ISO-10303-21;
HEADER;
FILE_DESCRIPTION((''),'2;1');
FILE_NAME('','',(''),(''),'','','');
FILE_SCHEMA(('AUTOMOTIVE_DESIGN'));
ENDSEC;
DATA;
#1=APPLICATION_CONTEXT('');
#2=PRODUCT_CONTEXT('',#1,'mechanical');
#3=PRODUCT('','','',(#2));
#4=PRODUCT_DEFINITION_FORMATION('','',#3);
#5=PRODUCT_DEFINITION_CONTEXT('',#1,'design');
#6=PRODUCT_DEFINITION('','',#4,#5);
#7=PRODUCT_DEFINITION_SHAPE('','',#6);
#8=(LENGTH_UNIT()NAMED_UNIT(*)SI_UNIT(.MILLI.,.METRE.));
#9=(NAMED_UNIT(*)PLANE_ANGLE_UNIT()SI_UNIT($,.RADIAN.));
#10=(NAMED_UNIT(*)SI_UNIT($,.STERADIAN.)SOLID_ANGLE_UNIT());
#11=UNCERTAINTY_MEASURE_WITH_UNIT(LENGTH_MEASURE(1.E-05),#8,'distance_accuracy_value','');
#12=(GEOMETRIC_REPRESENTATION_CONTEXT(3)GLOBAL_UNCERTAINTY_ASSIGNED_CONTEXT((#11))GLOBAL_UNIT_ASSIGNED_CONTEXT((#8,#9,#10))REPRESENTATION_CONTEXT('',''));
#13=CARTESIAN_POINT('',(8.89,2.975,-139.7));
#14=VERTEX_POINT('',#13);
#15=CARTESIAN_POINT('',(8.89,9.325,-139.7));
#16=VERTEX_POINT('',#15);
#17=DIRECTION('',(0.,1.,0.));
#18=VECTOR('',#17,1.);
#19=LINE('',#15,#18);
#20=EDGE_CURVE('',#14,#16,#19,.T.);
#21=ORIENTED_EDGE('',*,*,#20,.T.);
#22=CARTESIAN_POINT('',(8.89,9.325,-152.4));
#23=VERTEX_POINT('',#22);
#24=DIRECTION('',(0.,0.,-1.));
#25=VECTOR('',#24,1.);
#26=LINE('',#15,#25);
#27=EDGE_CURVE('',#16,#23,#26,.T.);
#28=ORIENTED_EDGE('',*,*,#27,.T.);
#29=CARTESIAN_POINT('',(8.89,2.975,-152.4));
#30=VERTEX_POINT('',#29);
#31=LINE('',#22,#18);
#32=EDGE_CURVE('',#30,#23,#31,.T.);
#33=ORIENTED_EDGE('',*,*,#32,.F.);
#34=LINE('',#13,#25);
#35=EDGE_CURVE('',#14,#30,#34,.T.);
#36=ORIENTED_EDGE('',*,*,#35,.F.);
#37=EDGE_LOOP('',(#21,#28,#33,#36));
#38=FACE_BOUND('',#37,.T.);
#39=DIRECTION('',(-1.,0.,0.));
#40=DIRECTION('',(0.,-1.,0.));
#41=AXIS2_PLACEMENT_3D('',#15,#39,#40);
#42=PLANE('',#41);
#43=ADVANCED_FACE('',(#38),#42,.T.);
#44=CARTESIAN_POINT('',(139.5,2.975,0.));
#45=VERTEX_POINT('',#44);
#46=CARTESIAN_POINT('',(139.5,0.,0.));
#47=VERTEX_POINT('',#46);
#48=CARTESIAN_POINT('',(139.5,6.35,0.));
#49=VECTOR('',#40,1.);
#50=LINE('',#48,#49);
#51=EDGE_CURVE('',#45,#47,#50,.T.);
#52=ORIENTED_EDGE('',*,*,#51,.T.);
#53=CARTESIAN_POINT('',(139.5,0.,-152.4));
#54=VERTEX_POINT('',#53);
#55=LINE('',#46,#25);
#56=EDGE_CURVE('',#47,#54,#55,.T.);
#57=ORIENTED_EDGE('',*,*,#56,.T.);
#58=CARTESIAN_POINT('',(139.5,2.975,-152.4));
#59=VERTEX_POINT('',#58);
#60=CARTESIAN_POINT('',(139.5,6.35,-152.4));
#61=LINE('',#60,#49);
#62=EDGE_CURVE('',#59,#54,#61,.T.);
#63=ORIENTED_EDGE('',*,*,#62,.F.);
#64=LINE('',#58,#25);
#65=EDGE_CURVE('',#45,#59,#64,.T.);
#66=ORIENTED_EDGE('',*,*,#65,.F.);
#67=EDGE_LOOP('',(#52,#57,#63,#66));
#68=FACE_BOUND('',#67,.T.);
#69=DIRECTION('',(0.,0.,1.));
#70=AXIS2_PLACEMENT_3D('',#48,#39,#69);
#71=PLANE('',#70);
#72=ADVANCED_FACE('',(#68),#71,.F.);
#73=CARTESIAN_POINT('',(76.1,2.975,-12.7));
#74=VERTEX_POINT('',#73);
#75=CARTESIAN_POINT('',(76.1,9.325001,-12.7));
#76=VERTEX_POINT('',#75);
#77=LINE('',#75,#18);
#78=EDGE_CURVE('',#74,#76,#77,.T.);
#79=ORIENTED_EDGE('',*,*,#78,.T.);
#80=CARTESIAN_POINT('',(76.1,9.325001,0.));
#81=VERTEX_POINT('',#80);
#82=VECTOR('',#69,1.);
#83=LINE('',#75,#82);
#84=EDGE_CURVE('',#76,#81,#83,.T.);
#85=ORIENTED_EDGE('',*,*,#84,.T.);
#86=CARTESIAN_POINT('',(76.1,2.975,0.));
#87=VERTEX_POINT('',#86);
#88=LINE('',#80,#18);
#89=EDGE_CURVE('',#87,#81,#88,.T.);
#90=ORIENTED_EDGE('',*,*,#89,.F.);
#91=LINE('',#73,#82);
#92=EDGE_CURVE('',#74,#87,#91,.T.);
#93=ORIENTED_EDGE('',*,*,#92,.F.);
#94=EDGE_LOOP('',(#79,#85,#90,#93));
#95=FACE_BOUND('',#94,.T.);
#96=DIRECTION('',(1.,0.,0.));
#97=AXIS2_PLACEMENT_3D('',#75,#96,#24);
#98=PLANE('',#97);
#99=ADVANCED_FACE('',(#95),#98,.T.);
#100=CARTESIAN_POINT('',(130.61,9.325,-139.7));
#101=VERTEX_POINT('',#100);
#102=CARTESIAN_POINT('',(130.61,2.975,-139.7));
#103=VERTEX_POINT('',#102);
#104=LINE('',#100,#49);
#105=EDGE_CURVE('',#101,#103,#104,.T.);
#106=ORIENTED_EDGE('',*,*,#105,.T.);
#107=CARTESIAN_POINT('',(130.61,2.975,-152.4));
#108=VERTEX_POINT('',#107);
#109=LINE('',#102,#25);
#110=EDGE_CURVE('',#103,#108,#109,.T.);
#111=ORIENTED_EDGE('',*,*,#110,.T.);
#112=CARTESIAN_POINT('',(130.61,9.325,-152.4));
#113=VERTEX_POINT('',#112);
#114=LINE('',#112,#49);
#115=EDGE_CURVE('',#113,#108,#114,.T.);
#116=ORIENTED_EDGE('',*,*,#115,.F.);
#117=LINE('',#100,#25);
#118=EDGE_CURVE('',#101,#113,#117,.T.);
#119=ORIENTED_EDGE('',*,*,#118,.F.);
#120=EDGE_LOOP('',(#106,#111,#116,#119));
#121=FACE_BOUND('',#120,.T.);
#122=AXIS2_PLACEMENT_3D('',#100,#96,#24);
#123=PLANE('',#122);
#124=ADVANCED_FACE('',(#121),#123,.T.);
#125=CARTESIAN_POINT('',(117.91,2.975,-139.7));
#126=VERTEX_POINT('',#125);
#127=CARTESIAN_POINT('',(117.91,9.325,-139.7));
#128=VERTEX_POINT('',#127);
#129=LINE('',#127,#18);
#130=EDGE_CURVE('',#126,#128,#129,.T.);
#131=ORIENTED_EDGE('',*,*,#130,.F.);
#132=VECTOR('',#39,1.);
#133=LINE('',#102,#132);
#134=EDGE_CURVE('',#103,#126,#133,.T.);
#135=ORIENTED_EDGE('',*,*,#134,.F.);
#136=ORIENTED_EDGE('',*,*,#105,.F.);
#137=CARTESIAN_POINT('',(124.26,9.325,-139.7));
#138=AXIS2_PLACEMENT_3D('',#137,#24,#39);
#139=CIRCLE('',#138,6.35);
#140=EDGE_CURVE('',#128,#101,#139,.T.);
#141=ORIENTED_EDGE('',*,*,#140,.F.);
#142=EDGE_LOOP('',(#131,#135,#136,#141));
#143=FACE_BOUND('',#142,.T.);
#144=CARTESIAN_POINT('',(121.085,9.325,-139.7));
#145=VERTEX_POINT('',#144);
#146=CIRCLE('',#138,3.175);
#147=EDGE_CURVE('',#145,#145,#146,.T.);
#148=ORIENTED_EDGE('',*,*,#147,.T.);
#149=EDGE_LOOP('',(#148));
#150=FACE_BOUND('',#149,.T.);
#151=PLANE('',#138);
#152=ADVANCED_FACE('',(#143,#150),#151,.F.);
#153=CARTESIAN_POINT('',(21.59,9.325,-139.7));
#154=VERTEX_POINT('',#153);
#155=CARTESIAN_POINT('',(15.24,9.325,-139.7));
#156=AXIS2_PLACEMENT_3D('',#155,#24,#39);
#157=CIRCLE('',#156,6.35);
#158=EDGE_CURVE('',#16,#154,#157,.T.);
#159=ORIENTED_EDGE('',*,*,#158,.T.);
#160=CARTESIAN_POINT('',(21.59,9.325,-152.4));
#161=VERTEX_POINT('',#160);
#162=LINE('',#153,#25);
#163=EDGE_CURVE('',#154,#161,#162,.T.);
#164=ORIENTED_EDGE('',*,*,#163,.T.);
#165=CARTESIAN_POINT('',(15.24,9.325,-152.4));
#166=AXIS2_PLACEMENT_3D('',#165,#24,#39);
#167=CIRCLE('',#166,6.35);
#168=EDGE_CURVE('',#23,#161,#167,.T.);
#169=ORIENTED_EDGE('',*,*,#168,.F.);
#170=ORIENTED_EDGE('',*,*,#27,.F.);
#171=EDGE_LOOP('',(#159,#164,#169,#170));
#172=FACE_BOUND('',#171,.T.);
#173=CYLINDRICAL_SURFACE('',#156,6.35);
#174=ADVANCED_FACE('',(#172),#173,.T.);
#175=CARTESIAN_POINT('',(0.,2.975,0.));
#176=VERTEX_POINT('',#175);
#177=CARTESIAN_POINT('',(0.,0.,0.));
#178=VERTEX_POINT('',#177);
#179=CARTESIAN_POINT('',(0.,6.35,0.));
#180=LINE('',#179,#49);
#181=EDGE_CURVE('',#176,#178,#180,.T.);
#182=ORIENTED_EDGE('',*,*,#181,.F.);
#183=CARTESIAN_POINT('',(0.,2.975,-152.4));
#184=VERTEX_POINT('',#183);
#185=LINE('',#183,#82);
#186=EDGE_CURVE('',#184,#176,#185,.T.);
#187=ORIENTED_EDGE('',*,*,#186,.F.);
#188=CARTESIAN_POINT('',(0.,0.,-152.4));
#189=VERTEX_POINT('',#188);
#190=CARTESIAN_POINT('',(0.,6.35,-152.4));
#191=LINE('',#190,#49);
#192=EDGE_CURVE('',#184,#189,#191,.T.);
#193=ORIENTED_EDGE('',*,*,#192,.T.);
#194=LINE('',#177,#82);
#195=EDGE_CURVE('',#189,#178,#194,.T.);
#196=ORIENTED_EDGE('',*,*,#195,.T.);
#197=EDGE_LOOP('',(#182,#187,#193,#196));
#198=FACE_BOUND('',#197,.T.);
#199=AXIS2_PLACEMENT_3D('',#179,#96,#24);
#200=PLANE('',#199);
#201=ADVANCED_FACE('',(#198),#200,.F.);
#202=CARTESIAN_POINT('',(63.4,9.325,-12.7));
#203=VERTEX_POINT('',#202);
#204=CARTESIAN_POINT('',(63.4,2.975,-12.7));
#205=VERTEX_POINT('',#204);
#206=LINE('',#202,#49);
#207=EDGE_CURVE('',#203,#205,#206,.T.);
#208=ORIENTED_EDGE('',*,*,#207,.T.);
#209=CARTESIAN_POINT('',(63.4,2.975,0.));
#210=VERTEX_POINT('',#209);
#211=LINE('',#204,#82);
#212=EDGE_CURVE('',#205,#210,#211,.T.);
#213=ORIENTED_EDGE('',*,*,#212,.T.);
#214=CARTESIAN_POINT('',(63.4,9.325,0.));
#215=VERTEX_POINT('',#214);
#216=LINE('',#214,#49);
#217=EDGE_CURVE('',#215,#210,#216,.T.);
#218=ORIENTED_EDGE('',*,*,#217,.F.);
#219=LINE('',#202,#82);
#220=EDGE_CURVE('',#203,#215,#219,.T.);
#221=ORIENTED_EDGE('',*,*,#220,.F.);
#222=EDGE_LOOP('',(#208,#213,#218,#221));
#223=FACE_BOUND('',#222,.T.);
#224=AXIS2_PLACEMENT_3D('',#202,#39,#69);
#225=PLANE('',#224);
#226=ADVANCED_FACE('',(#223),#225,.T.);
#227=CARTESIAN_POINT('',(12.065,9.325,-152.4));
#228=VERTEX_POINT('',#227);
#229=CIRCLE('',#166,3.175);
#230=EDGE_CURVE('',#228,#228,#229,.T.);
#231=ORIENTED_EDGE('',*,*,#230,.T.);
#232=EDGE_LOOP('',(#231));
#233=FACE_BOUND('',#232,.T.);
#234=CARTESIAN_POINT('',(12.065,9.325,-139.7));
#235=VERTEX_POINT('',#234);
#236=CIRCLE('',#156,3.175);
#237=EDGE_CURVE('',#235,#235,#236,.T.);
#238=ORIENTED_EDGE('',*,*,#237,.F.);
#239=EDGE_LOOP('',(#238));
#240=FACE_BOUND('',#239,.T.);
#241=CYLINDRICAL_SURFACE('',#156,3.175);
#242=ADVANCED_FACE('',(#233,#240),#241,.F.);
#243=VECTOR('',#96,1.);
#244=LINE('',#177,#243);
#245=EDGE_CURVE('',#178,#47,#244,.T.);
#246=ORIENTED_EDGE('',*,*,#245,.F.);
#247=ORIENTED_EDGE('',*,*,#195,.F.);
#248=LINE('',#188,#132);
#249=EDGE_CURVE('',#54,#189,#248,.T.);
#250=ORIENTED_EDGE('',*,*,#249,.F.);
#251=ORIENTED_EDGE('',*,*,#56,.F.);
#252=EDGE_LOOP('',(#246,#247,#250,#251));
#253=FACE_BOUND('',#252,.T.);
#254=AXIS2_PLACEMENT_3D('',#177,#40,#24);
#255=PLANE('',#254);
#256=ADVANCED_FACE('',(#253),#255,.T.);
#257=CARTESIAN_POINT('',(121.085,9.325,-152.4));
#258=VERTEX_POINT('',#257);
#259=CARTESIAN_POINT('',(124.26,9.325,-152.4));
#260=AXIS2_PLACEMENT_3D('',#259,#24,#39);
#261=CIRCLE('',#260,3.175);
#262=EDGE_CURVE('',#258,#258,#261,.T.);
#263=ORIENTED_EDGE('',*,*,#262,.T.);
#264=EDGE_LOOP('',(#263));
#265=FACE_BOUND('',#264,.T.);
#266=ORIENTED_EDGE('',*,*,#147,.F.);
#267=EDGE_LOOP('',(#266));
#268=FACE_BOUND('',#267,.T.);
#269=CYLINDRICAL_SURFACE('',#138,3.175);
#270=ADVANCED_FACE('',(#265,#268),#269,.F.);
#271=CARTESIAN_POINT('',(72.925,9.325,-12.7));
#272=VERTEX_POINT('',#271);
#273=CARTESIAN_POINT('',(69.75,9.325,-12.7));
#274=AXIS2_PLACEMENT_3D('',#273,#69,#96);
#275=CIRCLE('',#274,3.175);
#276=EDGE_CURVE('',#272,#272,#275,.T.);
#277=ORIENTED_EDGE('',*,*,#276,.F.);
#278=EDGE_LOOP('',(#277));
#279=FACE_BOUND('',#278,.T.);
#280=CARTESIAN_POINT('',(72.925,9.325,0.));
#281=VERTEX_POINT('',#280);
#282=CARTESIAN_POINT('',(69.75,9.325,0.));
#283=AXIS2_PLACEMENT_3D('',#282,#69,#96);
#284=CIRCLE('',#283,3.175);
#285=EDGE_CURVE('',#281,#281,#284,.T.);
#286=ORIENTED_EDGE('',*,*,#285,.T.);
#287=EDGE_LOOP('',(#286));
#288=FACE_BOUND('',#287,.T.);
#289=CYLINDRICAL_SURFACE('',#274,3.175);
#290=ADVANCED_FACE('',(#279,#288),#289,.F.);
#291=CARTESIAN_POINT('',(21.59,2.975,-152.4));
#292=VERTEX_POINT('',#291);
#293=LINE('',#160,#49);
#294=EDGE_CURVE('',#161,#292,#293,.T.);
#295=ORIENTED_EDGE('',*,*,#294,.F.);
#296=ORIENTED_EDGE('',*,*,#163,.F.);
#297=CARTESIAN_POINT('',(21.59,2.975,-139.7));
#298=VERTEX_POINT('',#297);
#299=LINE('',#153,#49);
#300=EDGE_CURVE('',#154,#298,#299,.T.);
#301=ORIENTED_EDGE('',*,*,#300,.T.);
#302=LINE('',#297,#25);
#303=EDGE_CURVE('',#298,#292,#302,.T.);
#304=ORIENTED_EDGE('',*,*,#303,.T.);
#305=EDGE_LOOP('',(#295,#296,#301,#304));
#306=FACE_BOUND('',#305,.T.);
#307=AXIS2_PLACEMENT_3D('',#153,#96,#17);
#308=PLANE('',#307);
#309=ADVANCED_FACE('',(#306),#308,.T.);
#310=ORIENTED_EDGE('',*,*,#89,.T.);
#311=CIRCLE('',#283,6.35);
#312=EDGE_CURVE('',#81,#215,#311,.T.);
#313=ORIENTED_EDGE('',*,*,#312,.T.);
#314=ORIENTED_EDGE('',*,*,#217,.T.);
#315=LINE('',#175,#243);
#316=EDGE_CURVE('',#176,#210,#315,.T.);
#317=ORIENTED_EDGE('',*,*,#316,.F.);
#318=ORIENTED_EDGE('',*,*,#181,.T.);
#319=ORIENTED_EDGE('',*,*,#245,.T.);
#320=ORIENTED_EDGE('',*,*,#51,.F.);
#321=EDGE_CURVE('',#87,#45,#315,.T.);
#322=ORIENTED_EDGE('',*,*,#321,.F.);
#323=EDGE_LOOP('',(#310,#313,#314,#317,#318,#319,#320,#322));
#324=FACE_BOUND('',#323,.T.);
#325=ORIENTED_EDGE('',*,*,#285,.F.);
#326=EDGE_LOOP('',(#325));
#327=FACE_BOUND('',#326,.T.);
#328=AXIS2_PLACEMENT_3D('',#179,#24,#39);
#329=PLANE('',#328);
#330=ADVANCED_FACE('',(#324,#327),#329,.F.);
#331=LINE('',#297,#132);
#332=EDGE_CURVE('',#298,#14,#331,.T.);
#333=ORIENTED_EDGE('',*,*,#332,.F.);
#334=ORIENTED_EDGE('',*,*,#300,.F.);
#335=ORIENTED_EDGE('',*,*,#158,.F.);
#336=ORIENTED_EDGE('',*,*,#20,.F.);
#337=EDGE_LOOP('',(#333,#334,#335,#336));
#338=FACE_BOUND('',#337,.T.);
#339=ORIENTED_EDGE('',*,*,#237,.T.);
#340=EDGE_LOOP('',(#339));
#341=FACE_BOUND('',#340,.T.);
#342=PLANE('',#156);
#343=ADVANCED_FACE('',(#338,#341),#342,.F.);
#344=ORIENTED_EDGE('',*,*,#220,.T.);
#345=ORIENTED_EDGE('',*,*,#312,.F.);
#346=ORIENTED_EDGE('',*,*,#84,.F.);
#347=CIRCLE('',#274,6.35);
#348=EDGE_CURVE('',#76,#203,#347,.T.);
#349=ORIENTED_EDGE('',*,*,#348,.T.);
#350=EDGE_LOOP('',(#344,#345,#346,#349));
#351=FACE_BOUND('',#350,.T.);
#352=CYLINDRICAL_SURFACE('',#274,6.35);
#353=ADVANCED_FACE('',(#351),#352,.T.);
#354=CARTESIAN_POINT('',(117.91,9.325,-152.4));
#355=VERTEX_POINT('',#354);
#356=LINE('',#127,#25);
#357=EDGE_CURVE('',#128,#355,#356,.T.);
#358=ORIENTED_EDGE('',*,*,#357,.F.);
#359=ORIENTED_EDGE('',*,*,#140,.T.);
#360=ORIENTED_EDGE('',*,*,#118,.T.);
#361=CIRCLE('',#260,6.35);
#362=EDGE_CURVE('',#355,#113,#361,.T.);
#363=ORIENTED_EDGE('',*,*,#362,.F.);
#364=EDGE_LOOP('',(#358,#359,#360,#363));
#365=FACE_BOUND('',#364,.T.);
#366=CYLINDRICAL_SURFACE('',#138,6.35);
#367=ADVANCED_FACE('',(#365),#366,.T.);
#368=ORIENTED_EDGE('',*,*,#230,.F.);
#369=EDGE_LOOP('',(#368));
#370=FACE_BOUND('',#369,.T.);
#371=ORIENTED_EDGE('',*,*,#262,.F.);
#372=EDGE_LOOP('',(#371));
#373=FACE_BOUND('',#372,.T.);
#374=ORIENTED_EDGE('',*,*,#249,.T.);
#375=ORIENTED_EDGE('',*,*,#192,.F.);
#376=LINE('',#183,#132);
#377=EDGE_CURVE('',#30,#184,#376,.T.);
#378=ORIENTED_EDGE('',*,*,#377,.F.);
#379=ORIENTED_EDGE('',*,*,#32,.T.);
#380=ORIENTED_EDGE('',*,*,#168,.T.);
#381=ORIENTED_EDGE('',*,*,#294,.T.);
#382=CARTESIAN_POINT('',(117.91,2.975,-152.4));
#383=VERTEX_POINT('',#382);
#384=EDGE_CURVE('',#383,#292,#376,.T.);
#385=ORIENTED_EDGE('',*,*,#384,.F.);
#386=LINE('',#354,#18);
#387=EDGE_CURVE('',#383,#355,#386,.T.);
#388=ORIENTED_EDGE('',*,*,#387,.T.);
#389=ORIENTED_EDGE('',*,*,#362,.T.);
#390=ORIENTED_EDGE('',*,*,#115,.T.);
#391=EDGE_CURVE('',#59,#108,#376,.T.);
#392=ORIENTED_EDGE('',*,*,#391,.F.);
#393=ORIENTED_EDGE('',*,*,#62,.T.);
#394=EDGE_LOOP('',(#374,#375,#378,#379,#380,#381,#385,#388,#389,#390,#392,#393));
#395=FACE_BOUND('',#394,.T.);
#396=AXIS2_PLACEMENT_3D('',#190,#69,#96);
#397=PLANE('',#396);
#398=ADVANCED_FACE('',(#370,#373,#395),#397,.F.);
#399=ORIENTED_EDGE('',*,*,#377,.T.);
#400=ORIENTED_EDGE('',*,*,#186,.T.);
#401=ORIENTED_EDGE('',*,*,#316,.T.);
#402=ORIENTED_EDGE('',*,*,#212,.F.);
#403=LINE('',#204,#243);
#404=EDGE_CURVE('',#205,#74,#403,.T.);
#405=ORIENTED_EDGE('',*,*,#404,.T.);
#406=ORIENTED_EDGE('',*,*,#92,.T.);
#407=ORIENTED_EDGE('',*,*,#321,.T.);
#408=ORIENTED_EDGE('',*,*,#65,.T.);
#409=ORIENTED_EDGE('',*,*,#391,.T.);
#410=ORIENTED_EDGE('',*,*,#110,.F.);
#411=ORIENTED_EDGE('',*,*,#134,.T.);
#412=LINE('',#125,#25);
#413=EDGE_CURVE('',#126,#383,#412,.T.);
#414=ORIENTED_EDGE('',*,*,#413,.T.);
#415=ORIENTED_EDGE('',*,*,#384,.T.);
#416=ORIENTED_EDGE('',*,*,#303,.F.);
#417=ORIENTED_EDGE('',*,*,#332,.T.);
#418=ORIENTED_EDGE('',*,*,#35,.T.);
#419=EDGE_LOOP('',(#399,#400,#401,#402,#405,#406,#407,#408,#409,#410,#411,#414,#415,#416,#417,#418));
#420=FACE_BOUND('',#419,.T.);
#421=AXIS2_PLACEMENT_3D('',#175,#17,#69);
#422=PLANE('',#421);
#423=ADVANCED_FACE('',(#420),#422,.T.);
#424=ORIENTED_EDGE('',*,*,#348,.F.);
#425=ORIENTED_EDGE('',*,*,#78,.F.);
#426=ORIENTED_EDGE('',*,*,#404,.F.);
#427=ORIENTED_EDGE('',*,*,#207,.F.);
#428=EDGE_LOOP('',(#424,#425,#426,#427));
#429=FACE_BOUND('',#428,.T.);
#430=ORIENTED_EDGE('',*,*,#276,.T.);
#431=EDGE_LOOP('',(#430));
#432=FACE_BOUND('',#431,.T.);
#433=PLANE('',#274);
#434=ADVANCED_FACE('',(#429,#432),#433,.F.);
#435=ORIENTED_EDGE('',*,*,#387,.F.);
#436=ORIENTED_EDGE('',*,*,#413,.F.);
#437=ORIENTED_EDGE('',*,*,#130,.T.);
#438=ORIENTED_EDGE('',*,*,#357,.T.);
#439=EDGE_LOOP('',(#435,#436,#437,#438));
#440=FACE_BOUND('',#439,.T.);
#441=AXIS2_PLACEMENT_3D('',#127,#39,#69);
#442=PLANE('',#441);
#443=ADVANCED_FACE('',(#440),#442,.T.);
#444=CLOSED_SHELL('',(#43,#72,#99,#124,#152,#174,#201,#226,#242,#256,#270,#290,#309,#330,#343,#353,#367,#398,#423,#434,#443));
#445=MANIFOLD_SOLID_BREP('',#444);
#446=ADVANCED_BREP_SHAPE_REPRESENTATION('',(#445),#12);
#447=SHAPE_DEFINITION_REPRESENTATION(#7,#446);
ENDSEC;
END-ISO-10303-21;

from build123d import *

# Parameters (mm, degrees)
SKETCH1_W           = 139.5
SKETCH1_H           = 152.4
BOSS_EXTRUDE1_DEPTH = 6.35
SKETCH2_W           = 139.5
SKETCH2_H           = 152.4
CUT_EXTRUDE1_DEPTH  = 3.375
SKETCH3_R           = 3.175
BOSS_EXTRUDE2_DEPTH = 12.7
SKETCH4_R           = 3.175000001
SKETCH4_R_2         = 3.175
BOSS_EXTRUDE3_DEPTH = 12.7


with BuildPart() as part:
    # Sketch1 → Boss-Extrude1 (new body)
    with BuildSketch(Plane(origin=(0, 0, 0), x_dir=(1, 0, 0), z_dir=(0, 1, 0))):
        with Locations((69.75, 76.2)):
            Rectangle(SKETCH1_W, SKETCH1_H)
    extrude(amount=BOSS_EXTRUDE1_DEPTH)

    # Sketch2 → Cut-Extrude1 (cut)
    with BuildSketch(Plane(origin=(0, 6.35, 0), x_dir=(1, 0, 0), z_dir=(0, 1, 0))):
        with Locations((69.75, 76.2)):
            Rectangle(SKETCH2_W, SKETCH2_H)
    extrude(amount=-CUT_EXTRUDE1_DEPTH, mode=Mode.SUBTRACT)

    # Sketch3 → Boss-Extrude2 (add)
    with BuildSketch(Plane.XY):
        with BuildLine():
            Line((63.4, 9.325), (63.4, 2.975))
            Line((63.4, 2.975), (76.1, 2.975))
            Line((76.1, 2.975), (76.1, 9.325000633))
            ThreePointArc((76.1, 9.325000633), (69.749999683, 15.675000317), (63.4, 9.325))
        make_face()
        with Locations((69.75, 9.325000317)):
            Circle(SKETCH3_R, mode=Mode.SUBTRACT)
    extrude(amount=-BOSS_EXTRUDE2_DEPTH)

    # Sketch4 → Boss-Extrude3 (add)
    with BuildSketch(Plane(origin=(0, 0, -152.4), x_dir=(-1, 0, 0), z_dir=(0, 0, -1))):
        with BuildLine():
            Line((-130.61, 9.325), (-130.61, 2.975))
            Line((-130.61, 2.975), (-117.91, 2.975))
            Line((-117.91, 2.975), (-117.91, 9.325))
            ThreePointArc((-117.91, 9.325), (-124.26, 15.675), (-130.61, 9.325))
        make_face()
        with Locations((-124.26, 9.325)):
            Circle(SKETCH4_R, mode=Mode.SUBTRACT)
        with BuildLine():
            Line((-21.59, 9.325), (-21.59, 2.975))
            Line((-21.59, 2.975), (-8.89, 2.975))
            Line((-8.89, 2.975), (-8.89, 9.325))
            ThreePointArc((-8.89, 9.325), (-15.24, 15.675), (-21.59, 9.325))
        make_face()
        with Locations((-15.24, 9.325)):
            Circle(SKETCH4_R_2, mode=Mode.SUBTRACT)
    extrude(amount=-BOSS_EXTRUDE3_DEPTH)


solid = part.part
